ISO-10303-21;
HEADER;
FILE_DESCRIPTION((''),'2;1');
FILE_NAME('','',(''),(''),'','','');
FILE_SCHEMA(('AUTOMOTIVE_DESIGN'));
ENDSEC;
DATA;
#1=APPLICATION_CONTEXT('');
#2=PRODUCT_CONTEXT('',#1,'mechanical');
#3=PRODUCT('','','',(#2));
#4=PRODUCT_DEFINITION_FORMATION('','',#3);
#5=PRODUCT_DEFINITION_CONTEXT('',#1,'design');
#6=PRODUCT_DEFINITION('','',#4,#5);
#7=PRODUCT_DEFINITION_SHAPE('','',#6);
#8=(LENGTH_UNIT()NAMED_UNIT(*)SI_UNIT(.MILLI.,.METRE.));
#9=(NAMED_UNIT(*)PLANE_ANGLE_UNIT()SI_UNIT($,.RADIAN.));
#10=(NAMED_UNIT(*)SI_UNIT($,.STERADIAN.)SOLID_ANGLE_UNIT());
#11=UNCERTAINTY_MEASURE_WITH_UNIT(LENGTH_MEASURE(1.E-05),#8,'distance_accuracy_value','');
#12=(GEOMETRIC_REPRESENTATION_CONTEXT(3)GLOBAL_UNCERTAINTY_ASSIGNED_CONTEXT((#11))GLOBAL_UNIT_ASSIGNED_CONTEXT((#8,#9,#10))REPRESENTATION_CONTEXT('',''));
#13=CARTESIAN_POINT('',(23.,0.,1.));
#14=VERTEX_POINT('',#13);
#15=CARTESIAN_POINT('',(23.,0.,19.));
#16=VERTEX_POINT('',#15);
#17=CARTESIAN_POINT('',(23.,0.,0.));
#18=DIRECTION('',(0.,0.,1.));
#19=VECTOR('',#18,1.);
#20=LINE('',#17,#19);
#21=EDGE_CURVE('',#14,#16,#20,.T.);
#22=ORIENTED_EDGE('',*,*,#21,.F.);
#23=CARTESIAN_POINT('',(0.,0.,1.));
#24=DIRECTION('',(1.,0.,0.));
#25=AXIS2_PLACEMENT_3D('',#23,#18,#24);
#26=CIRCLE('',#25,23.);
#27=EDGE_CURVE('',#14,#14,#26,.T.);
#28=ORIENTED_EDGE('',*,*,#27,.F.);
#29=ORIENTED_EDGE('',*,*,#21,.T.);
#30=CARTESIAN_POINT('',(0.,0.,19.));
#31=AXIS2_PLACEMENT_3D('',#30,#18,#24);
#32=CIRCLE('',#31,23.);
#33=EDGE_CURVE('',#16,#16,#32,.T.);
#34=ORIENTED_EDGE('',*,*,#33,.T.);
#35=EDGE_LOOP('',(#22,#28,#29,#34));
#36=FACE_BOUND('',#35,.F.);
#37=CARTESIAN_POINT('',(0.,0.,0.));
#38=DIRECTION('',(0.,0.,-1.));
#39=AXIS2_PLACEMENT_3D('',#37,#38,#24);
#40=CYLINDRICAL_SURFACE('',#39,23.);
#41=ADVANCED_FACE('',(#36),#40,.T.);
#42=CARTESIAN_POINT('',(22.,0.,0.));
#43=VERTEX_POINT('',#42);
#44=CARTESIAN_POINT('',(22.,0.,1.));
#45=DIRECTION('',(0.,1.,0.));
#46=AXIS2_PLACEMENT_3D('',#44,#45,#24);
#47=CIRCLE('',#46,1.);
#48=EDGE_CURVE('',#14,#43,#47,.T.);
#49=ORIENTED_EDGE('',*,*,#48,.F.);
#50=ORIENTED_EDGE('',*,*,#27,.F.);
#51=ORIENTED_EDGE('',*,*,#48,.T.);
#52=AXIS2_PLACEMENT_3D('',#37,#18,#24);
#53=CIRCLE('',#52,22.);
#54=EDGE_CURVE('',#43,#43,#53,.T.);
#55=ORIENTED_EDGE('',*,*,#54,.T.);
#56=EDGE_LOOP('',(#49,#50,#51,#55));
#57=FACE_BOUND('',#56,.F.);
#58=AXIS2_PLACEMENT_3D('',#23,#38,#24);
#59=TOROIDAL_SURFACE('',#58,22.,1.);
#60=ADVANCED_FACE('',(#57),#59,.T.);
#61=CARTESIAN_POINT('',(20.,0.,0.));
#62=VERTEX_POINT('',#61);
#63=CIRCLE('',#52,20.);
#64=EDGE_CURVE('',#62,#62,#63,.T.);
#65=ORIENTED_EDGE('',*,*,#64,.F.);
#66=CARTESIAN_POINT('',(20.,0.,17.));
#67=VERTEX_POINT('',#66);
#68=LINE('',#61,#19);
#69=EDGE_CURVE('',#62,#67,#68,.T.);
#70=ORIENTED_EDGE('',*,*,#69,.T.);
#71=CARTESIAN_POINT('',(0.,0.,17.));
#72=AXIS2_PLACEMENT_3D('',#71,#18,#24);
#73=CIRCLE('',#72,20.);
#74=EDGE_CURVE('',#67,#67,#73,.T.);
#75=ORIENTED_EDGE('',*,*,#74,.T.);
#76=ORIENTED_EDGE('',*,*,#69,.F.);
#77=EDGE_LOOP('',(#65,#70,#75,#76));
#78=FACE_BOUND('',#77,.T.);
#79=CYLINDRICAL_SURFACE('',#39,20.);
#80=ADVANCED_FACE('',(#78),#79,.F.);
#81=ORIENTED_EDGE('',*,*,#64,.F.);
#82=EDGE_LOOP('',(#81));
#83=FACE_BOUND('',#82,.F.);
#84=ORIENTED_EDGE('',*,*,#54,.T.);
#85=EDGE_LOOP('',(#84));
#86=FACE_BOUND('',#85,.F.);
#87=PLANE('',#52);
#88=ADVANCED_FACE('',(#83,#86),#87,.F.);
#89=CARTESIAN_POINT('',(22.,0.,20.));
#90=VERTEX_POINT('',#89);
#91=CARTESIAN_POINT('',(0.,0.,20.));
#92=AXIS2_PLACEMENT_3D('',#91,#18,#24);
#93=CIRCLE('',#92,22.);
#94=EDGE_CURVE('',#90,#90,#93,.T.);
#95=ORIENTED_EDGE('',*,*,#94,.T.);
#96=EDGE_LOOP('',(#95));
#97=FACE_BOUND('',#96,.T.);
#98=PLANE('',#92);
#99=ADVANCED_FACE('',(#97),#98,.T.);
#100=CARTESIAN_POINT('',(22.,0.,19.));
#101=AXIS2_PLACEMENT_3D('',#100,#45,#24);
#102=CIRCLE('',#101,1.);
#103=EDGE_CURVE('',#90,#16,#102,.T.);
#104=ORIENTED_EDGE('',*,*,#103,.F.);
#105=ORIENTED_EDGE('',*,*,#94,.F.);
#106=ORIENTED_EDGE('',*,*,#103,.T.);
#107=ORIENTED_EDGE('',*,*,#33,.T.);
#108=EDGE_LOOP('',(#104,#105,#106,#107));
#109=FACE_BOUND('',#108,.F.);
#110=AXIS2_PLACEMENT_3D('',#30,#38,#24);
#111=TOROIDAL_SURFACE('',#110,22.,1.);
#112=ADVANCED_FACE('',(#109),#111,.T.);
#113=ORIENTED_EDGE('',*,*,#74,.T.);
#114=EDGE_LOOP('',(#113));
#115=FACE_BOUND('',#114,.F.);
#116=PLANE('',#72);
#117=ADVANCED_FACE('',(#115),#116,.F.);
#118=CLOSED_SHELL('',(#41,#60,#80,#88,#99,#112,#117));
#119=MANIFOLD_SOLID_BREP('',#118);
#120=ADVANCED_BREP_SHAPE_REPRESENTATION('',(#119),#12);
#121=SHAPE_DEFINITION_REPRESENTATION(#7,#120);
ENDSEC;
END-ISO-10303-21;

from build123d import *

# Parameters (mm, degrees)
F0_R     = 23
F0_R_2   = 20
F1_DEPTH = 20
F2_R     = 20
F3_DEPTH = 3
F4_R     = 1


with BuildPart() as f1:
    # F0 (on Top) → F1 (new body)
    with BuildSketch(Plane.XY):
        Circle(F0_R)
        Circle(F0_R_2, mode=Mode.SUBTRACT)
    extrude(amount=F1_DEPTH)

    # F2 (on face) → F3 (join)
    with BuildSketch(Plane.XY.offset(20)):
        Circle(F2_R)
    extrude(amount=-F3_DEPTH)

    # F4
    f4_edges = [f1.edges().sort_by_distance(p)[0] for p in [
        (-23, 0, 0),
        (-23, 0, 20),
    ]]
    fillet(f4_edges, radius=F4_R)


solid = f1.part
